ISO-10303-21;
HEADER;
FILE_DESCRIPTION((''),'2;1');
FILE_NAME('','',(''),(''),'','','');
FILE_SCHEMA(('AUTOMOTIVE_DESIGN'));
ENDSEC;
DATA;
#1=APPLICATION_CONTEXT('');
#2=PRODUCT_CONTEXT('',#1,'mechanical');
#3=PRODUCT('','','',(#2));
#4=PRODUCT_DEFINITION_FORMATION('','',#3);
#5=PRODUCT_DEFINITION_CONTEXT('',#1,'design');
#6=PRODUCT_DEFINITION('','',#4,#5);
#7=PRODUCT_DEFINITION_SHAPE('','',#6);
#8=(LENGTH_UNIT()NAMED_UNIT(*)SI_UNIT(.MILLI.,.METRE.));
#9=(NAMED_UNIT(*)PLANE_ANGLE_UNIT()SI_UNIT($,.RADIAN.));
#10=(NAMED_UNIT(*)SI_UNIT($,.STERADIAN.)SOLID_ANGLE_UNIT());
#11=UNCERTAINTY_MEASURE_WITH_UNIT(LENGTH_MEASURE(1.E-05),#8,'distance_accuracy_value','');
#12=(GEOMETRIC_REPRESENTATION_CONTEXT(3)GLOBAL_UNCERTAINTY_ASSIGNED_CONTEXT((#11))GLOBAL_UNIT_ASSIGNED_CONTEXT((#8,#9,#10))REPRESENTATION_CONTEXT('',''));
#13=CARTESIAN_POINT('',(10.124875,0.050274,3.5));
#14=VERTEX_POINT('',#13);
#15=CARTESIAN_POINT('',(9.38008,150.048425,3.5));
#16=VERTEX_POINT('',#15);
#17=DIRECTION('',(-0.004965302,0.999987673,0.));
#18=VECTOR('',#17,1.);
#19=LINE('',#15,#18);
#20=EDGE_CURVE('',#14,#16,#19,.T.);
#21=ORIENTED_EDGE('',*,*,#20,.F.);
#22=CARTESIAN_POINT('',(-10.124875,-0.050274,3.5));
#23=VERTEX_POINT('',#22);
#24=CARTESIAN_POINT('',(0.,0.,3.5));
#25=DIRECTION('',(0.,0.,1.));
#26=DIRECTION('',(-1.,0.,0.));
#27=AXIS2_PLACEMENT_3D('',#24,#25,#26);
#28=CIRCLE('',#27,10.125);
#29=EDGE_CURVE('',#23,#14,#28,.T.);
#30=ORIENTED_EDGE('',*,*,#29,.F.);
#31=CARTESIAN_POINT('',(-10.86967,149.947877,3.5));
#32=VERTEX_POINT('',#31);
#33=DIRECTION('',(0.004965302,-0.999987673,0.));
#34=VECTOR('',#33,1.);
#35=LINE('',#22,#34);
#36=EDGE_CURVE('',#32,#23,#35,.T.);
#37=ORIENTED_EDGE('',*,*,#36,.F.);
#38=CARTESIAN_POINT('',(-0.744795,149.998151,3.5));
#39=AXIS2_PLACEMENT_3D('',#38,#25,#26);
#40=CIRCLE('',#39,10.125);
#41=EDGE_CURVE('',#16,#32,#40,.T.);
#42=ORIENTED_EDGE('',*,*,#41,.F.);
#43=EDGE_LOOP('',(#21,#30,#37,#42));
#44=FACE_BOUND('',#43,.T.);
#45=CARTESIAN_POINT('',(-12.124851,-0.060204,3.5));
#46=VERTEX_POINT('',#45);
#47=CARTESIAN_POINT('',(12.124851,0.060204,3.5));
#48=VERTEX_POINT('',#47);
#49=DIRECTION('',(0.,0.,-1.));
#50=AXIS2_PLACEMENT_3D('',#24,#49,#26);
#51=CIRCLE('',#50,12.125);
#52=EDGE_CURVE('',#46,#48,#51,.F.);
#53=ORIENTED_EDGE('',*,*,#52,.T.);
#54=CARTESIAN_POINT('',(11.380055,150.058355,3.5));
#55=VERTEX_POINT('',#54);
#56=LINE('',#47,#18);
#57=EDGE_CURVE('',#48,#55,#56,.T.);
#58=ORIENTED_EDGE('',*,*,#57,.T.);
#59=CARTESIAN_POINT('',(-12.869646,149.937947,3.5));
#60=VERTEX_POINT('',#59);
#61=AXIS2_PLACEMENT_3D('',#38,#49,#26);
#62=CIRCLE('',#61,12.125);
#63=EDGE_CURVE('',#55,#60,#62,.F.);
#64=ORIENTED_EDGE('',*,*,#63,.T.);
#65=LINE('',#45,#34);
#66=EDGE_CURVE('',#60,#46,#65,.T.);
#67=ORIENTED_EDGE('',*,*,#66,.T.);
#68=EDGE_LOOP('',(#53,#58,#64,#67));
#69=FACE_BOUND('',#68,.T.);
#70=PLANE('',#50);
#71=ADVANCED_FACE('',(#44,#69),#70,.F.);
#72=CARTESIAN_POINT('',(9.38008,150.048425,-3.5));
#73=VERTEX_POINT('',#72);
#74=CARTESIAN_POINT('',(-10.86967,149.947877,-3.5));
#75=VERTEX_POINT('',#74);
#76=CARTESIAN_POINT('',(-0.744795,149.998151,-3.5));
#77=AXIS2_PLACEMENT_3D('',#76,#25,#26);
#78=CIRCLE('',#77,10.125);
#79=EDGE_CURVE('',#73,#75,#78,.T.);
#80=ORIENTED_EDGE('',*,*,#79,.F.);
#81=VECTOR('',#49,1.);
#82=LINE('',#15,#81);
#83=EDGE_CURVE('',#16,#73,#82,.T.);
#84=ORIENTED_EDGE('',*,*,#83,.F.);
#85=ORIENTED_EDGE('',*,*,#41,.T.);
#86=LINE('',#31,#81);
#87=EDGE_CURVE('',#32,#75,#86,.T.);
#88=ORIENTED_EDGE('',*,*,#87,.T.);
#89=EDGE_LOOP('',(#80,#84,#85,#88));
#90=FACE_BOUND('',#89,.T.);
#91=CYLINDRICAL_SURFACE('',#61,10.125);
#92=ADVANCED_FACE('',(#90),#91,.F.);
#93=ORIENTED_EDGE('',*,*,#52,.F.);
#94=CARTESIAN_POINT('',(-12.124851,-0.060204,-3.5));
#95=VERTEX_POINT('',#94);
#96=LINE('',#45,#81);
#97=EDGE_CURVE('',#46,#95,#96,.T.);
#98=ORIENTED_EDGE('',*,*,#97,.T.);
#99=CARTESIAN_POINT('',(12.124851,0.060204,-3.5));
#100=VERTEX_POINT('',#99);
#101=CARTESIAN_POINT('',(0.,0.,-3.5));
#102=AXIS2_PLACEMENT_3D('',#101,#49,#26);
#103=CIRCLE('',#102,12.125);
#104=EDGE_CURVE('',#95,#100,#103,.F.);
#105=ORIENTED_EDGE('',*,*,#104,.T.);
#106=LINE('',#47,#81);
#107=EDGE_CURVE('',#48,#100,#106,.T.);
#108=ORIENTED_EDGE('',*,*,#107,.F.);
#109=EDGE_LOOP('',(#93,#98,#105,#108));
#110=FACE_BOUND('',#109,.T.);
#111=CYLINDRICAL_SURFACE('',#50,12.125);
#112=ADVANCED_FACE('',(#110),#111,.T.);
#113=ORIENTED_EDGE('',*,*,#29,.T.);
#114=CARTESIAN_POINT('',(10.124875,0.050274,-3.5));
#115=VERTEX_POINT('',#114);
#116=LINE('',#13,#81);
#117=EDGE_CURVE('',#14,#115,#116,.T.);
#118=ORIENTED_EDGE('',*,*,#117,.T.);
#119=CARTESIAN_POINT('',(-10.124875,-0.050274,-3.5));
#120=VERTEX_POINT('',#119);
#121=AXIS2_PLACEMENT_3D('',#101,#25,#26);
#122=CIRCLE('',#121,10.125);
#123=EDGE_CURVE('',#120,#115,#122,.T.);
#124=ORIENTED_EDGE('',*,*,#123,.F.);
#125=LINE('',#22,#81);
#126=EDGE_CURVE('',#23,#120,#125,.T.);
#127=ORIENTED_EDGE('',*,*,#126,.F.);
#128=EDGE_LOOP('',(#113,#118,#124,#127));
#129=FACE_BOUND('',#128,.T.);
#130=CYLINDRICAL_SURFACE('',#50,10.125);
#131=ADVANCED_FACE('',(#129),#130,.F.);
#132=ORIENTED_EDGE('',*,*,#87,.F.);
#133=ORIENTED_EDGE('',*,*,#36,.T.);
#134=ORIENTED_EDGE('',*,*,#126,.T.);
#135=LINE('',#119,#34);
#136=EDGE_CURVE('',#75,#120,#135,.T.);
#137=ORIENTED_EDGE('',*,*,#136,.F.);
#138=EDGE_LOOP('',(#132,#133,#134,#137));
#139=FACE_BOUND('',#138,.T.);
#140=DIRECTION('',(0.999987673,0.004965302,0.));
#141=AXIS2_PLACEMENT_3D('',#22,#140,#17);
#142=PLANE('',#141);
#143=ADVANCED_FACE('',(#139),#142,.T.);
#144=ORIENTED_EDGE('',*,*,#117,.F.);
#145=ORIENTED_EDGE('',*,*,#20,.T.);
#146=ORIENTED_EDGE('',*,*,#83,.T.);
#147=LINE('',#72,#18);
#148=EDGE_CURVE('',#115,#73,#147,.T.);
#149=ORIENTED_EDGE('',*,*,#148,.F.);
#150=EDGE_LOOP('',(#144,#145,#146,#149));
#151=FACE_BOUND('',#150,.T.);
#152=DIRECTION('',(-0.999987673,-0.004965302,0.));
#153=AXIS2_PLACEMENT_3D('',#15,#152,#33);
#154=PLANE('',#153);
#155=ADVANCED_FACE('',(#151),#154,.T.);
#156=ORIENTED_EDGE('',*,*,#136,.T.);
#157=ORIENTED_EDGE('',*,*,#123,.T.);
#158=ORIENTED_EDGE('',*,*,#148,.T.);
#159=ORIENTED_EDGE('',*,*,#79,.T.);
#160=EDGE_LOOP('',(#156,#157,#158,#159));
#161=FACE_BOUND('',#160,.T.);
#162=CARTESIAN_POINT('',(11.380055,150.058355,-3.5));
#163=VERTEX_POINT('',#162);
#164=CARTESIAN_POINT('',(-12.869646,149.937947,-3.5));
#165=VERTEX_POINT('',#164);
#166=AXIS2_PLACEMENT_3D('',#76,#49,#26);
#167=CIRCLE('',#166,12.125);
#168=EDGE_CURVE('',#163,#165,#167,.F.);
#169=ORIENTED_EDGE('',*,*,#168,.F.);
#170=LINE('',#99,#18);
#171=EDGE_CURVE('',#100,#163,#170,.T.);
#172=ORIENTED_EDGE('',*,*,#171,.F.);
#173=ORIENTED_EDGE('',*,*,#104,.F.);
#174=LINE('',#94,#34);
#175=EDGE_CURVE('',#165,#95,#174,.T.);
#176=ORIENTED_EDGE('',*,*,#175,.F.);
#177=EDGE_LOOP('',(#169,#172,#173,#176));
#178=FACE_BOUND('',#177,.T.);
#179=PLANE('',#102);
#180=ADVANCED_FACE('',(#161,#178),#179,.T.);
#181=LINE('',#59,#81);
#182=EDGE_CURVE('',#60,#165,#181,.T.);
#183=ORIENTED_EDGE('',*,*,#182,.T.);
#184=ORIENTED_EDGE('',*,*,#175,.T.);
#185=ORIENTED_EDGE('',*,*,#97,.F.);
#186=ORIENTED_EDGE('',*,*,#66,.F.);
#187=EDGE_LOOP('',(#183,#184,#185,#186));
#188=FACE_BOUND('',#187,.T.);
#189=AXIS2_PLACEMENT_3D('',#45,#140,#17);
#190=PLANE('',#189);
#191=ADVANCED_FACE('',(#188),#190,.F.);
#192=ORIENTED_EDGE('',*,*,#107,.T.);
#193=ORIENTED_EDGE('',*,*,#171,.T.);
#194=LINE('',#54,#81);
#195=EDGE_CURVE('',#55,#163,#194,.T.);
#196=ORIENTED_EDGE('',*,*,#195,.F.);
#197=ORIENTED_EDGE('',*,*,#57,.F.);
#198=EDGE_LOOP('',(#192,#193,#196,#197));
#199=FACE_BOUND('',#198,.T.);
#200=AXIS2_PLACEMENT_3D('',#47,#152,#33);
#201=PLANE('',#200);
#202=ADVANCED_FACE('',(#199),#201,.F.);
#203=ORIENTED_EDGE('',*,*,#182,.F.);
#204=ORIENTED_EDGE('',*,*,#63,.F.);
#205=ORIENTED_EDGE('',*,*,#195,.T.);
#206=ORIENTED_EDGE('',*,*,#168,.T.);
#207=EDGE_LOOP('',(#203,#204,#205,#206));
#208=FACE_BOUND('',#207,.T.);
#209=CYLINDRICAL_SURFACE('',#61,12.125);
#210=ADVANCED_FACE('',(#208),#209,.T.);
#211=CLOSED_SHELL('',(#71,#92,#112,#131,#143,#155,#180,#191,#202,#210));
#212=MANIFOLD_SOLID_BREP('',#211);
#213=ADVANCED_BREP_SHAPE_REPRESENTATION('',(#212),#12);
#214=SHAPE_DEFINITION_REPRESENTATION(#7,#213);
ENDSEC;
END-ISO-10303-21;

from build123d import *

# Parameters (mm, degrees)
EXTRUDE_1_DEPTH = 3.5


with BuildPart() as part:
    # 草图2 → 拉伸-薄壁1 (new, symmetric)
    with BuildSketch(Plane.XY):
        with BuildLine():
            Line((11.380055252, 150.058355207), (12.124850533, 0.060204285))
            ThreePointArc((12.124850533, 0.060204285), (0.060204285, -12.124850533), (-12.124850533, -0.060204285))
            Line((-12.124850533, -0.060204285), (-12.869645814, 149.937946637))
            ThreePointArc((-12.869645814, 149.937946637), (-0.804999566, 162.123001455), (11.380055252, 150.058355207))
        make_face()
        with BuildLine():
            Line((9.380079907, 150.048424603), (10.124875187, 0.050273681))
            ThreePointArc((10.124875187, 0.050273681), (0.050273681, -10.124875187), (-10.124875187, -0.050273681))
            Line((-10.124875187, -0.050273681), (-10.869670468, 149.94787724))
            ThreePointArc((-10.869670468, 149.94787724), (-0.795068962, 160.123026109), (9.380079907, 150.048424603))
        make_face(mode=Mode.SUBTRACT)
    extrude(amount=EXTRUDE_1_DEPTH, both=True)


solid = part.part
